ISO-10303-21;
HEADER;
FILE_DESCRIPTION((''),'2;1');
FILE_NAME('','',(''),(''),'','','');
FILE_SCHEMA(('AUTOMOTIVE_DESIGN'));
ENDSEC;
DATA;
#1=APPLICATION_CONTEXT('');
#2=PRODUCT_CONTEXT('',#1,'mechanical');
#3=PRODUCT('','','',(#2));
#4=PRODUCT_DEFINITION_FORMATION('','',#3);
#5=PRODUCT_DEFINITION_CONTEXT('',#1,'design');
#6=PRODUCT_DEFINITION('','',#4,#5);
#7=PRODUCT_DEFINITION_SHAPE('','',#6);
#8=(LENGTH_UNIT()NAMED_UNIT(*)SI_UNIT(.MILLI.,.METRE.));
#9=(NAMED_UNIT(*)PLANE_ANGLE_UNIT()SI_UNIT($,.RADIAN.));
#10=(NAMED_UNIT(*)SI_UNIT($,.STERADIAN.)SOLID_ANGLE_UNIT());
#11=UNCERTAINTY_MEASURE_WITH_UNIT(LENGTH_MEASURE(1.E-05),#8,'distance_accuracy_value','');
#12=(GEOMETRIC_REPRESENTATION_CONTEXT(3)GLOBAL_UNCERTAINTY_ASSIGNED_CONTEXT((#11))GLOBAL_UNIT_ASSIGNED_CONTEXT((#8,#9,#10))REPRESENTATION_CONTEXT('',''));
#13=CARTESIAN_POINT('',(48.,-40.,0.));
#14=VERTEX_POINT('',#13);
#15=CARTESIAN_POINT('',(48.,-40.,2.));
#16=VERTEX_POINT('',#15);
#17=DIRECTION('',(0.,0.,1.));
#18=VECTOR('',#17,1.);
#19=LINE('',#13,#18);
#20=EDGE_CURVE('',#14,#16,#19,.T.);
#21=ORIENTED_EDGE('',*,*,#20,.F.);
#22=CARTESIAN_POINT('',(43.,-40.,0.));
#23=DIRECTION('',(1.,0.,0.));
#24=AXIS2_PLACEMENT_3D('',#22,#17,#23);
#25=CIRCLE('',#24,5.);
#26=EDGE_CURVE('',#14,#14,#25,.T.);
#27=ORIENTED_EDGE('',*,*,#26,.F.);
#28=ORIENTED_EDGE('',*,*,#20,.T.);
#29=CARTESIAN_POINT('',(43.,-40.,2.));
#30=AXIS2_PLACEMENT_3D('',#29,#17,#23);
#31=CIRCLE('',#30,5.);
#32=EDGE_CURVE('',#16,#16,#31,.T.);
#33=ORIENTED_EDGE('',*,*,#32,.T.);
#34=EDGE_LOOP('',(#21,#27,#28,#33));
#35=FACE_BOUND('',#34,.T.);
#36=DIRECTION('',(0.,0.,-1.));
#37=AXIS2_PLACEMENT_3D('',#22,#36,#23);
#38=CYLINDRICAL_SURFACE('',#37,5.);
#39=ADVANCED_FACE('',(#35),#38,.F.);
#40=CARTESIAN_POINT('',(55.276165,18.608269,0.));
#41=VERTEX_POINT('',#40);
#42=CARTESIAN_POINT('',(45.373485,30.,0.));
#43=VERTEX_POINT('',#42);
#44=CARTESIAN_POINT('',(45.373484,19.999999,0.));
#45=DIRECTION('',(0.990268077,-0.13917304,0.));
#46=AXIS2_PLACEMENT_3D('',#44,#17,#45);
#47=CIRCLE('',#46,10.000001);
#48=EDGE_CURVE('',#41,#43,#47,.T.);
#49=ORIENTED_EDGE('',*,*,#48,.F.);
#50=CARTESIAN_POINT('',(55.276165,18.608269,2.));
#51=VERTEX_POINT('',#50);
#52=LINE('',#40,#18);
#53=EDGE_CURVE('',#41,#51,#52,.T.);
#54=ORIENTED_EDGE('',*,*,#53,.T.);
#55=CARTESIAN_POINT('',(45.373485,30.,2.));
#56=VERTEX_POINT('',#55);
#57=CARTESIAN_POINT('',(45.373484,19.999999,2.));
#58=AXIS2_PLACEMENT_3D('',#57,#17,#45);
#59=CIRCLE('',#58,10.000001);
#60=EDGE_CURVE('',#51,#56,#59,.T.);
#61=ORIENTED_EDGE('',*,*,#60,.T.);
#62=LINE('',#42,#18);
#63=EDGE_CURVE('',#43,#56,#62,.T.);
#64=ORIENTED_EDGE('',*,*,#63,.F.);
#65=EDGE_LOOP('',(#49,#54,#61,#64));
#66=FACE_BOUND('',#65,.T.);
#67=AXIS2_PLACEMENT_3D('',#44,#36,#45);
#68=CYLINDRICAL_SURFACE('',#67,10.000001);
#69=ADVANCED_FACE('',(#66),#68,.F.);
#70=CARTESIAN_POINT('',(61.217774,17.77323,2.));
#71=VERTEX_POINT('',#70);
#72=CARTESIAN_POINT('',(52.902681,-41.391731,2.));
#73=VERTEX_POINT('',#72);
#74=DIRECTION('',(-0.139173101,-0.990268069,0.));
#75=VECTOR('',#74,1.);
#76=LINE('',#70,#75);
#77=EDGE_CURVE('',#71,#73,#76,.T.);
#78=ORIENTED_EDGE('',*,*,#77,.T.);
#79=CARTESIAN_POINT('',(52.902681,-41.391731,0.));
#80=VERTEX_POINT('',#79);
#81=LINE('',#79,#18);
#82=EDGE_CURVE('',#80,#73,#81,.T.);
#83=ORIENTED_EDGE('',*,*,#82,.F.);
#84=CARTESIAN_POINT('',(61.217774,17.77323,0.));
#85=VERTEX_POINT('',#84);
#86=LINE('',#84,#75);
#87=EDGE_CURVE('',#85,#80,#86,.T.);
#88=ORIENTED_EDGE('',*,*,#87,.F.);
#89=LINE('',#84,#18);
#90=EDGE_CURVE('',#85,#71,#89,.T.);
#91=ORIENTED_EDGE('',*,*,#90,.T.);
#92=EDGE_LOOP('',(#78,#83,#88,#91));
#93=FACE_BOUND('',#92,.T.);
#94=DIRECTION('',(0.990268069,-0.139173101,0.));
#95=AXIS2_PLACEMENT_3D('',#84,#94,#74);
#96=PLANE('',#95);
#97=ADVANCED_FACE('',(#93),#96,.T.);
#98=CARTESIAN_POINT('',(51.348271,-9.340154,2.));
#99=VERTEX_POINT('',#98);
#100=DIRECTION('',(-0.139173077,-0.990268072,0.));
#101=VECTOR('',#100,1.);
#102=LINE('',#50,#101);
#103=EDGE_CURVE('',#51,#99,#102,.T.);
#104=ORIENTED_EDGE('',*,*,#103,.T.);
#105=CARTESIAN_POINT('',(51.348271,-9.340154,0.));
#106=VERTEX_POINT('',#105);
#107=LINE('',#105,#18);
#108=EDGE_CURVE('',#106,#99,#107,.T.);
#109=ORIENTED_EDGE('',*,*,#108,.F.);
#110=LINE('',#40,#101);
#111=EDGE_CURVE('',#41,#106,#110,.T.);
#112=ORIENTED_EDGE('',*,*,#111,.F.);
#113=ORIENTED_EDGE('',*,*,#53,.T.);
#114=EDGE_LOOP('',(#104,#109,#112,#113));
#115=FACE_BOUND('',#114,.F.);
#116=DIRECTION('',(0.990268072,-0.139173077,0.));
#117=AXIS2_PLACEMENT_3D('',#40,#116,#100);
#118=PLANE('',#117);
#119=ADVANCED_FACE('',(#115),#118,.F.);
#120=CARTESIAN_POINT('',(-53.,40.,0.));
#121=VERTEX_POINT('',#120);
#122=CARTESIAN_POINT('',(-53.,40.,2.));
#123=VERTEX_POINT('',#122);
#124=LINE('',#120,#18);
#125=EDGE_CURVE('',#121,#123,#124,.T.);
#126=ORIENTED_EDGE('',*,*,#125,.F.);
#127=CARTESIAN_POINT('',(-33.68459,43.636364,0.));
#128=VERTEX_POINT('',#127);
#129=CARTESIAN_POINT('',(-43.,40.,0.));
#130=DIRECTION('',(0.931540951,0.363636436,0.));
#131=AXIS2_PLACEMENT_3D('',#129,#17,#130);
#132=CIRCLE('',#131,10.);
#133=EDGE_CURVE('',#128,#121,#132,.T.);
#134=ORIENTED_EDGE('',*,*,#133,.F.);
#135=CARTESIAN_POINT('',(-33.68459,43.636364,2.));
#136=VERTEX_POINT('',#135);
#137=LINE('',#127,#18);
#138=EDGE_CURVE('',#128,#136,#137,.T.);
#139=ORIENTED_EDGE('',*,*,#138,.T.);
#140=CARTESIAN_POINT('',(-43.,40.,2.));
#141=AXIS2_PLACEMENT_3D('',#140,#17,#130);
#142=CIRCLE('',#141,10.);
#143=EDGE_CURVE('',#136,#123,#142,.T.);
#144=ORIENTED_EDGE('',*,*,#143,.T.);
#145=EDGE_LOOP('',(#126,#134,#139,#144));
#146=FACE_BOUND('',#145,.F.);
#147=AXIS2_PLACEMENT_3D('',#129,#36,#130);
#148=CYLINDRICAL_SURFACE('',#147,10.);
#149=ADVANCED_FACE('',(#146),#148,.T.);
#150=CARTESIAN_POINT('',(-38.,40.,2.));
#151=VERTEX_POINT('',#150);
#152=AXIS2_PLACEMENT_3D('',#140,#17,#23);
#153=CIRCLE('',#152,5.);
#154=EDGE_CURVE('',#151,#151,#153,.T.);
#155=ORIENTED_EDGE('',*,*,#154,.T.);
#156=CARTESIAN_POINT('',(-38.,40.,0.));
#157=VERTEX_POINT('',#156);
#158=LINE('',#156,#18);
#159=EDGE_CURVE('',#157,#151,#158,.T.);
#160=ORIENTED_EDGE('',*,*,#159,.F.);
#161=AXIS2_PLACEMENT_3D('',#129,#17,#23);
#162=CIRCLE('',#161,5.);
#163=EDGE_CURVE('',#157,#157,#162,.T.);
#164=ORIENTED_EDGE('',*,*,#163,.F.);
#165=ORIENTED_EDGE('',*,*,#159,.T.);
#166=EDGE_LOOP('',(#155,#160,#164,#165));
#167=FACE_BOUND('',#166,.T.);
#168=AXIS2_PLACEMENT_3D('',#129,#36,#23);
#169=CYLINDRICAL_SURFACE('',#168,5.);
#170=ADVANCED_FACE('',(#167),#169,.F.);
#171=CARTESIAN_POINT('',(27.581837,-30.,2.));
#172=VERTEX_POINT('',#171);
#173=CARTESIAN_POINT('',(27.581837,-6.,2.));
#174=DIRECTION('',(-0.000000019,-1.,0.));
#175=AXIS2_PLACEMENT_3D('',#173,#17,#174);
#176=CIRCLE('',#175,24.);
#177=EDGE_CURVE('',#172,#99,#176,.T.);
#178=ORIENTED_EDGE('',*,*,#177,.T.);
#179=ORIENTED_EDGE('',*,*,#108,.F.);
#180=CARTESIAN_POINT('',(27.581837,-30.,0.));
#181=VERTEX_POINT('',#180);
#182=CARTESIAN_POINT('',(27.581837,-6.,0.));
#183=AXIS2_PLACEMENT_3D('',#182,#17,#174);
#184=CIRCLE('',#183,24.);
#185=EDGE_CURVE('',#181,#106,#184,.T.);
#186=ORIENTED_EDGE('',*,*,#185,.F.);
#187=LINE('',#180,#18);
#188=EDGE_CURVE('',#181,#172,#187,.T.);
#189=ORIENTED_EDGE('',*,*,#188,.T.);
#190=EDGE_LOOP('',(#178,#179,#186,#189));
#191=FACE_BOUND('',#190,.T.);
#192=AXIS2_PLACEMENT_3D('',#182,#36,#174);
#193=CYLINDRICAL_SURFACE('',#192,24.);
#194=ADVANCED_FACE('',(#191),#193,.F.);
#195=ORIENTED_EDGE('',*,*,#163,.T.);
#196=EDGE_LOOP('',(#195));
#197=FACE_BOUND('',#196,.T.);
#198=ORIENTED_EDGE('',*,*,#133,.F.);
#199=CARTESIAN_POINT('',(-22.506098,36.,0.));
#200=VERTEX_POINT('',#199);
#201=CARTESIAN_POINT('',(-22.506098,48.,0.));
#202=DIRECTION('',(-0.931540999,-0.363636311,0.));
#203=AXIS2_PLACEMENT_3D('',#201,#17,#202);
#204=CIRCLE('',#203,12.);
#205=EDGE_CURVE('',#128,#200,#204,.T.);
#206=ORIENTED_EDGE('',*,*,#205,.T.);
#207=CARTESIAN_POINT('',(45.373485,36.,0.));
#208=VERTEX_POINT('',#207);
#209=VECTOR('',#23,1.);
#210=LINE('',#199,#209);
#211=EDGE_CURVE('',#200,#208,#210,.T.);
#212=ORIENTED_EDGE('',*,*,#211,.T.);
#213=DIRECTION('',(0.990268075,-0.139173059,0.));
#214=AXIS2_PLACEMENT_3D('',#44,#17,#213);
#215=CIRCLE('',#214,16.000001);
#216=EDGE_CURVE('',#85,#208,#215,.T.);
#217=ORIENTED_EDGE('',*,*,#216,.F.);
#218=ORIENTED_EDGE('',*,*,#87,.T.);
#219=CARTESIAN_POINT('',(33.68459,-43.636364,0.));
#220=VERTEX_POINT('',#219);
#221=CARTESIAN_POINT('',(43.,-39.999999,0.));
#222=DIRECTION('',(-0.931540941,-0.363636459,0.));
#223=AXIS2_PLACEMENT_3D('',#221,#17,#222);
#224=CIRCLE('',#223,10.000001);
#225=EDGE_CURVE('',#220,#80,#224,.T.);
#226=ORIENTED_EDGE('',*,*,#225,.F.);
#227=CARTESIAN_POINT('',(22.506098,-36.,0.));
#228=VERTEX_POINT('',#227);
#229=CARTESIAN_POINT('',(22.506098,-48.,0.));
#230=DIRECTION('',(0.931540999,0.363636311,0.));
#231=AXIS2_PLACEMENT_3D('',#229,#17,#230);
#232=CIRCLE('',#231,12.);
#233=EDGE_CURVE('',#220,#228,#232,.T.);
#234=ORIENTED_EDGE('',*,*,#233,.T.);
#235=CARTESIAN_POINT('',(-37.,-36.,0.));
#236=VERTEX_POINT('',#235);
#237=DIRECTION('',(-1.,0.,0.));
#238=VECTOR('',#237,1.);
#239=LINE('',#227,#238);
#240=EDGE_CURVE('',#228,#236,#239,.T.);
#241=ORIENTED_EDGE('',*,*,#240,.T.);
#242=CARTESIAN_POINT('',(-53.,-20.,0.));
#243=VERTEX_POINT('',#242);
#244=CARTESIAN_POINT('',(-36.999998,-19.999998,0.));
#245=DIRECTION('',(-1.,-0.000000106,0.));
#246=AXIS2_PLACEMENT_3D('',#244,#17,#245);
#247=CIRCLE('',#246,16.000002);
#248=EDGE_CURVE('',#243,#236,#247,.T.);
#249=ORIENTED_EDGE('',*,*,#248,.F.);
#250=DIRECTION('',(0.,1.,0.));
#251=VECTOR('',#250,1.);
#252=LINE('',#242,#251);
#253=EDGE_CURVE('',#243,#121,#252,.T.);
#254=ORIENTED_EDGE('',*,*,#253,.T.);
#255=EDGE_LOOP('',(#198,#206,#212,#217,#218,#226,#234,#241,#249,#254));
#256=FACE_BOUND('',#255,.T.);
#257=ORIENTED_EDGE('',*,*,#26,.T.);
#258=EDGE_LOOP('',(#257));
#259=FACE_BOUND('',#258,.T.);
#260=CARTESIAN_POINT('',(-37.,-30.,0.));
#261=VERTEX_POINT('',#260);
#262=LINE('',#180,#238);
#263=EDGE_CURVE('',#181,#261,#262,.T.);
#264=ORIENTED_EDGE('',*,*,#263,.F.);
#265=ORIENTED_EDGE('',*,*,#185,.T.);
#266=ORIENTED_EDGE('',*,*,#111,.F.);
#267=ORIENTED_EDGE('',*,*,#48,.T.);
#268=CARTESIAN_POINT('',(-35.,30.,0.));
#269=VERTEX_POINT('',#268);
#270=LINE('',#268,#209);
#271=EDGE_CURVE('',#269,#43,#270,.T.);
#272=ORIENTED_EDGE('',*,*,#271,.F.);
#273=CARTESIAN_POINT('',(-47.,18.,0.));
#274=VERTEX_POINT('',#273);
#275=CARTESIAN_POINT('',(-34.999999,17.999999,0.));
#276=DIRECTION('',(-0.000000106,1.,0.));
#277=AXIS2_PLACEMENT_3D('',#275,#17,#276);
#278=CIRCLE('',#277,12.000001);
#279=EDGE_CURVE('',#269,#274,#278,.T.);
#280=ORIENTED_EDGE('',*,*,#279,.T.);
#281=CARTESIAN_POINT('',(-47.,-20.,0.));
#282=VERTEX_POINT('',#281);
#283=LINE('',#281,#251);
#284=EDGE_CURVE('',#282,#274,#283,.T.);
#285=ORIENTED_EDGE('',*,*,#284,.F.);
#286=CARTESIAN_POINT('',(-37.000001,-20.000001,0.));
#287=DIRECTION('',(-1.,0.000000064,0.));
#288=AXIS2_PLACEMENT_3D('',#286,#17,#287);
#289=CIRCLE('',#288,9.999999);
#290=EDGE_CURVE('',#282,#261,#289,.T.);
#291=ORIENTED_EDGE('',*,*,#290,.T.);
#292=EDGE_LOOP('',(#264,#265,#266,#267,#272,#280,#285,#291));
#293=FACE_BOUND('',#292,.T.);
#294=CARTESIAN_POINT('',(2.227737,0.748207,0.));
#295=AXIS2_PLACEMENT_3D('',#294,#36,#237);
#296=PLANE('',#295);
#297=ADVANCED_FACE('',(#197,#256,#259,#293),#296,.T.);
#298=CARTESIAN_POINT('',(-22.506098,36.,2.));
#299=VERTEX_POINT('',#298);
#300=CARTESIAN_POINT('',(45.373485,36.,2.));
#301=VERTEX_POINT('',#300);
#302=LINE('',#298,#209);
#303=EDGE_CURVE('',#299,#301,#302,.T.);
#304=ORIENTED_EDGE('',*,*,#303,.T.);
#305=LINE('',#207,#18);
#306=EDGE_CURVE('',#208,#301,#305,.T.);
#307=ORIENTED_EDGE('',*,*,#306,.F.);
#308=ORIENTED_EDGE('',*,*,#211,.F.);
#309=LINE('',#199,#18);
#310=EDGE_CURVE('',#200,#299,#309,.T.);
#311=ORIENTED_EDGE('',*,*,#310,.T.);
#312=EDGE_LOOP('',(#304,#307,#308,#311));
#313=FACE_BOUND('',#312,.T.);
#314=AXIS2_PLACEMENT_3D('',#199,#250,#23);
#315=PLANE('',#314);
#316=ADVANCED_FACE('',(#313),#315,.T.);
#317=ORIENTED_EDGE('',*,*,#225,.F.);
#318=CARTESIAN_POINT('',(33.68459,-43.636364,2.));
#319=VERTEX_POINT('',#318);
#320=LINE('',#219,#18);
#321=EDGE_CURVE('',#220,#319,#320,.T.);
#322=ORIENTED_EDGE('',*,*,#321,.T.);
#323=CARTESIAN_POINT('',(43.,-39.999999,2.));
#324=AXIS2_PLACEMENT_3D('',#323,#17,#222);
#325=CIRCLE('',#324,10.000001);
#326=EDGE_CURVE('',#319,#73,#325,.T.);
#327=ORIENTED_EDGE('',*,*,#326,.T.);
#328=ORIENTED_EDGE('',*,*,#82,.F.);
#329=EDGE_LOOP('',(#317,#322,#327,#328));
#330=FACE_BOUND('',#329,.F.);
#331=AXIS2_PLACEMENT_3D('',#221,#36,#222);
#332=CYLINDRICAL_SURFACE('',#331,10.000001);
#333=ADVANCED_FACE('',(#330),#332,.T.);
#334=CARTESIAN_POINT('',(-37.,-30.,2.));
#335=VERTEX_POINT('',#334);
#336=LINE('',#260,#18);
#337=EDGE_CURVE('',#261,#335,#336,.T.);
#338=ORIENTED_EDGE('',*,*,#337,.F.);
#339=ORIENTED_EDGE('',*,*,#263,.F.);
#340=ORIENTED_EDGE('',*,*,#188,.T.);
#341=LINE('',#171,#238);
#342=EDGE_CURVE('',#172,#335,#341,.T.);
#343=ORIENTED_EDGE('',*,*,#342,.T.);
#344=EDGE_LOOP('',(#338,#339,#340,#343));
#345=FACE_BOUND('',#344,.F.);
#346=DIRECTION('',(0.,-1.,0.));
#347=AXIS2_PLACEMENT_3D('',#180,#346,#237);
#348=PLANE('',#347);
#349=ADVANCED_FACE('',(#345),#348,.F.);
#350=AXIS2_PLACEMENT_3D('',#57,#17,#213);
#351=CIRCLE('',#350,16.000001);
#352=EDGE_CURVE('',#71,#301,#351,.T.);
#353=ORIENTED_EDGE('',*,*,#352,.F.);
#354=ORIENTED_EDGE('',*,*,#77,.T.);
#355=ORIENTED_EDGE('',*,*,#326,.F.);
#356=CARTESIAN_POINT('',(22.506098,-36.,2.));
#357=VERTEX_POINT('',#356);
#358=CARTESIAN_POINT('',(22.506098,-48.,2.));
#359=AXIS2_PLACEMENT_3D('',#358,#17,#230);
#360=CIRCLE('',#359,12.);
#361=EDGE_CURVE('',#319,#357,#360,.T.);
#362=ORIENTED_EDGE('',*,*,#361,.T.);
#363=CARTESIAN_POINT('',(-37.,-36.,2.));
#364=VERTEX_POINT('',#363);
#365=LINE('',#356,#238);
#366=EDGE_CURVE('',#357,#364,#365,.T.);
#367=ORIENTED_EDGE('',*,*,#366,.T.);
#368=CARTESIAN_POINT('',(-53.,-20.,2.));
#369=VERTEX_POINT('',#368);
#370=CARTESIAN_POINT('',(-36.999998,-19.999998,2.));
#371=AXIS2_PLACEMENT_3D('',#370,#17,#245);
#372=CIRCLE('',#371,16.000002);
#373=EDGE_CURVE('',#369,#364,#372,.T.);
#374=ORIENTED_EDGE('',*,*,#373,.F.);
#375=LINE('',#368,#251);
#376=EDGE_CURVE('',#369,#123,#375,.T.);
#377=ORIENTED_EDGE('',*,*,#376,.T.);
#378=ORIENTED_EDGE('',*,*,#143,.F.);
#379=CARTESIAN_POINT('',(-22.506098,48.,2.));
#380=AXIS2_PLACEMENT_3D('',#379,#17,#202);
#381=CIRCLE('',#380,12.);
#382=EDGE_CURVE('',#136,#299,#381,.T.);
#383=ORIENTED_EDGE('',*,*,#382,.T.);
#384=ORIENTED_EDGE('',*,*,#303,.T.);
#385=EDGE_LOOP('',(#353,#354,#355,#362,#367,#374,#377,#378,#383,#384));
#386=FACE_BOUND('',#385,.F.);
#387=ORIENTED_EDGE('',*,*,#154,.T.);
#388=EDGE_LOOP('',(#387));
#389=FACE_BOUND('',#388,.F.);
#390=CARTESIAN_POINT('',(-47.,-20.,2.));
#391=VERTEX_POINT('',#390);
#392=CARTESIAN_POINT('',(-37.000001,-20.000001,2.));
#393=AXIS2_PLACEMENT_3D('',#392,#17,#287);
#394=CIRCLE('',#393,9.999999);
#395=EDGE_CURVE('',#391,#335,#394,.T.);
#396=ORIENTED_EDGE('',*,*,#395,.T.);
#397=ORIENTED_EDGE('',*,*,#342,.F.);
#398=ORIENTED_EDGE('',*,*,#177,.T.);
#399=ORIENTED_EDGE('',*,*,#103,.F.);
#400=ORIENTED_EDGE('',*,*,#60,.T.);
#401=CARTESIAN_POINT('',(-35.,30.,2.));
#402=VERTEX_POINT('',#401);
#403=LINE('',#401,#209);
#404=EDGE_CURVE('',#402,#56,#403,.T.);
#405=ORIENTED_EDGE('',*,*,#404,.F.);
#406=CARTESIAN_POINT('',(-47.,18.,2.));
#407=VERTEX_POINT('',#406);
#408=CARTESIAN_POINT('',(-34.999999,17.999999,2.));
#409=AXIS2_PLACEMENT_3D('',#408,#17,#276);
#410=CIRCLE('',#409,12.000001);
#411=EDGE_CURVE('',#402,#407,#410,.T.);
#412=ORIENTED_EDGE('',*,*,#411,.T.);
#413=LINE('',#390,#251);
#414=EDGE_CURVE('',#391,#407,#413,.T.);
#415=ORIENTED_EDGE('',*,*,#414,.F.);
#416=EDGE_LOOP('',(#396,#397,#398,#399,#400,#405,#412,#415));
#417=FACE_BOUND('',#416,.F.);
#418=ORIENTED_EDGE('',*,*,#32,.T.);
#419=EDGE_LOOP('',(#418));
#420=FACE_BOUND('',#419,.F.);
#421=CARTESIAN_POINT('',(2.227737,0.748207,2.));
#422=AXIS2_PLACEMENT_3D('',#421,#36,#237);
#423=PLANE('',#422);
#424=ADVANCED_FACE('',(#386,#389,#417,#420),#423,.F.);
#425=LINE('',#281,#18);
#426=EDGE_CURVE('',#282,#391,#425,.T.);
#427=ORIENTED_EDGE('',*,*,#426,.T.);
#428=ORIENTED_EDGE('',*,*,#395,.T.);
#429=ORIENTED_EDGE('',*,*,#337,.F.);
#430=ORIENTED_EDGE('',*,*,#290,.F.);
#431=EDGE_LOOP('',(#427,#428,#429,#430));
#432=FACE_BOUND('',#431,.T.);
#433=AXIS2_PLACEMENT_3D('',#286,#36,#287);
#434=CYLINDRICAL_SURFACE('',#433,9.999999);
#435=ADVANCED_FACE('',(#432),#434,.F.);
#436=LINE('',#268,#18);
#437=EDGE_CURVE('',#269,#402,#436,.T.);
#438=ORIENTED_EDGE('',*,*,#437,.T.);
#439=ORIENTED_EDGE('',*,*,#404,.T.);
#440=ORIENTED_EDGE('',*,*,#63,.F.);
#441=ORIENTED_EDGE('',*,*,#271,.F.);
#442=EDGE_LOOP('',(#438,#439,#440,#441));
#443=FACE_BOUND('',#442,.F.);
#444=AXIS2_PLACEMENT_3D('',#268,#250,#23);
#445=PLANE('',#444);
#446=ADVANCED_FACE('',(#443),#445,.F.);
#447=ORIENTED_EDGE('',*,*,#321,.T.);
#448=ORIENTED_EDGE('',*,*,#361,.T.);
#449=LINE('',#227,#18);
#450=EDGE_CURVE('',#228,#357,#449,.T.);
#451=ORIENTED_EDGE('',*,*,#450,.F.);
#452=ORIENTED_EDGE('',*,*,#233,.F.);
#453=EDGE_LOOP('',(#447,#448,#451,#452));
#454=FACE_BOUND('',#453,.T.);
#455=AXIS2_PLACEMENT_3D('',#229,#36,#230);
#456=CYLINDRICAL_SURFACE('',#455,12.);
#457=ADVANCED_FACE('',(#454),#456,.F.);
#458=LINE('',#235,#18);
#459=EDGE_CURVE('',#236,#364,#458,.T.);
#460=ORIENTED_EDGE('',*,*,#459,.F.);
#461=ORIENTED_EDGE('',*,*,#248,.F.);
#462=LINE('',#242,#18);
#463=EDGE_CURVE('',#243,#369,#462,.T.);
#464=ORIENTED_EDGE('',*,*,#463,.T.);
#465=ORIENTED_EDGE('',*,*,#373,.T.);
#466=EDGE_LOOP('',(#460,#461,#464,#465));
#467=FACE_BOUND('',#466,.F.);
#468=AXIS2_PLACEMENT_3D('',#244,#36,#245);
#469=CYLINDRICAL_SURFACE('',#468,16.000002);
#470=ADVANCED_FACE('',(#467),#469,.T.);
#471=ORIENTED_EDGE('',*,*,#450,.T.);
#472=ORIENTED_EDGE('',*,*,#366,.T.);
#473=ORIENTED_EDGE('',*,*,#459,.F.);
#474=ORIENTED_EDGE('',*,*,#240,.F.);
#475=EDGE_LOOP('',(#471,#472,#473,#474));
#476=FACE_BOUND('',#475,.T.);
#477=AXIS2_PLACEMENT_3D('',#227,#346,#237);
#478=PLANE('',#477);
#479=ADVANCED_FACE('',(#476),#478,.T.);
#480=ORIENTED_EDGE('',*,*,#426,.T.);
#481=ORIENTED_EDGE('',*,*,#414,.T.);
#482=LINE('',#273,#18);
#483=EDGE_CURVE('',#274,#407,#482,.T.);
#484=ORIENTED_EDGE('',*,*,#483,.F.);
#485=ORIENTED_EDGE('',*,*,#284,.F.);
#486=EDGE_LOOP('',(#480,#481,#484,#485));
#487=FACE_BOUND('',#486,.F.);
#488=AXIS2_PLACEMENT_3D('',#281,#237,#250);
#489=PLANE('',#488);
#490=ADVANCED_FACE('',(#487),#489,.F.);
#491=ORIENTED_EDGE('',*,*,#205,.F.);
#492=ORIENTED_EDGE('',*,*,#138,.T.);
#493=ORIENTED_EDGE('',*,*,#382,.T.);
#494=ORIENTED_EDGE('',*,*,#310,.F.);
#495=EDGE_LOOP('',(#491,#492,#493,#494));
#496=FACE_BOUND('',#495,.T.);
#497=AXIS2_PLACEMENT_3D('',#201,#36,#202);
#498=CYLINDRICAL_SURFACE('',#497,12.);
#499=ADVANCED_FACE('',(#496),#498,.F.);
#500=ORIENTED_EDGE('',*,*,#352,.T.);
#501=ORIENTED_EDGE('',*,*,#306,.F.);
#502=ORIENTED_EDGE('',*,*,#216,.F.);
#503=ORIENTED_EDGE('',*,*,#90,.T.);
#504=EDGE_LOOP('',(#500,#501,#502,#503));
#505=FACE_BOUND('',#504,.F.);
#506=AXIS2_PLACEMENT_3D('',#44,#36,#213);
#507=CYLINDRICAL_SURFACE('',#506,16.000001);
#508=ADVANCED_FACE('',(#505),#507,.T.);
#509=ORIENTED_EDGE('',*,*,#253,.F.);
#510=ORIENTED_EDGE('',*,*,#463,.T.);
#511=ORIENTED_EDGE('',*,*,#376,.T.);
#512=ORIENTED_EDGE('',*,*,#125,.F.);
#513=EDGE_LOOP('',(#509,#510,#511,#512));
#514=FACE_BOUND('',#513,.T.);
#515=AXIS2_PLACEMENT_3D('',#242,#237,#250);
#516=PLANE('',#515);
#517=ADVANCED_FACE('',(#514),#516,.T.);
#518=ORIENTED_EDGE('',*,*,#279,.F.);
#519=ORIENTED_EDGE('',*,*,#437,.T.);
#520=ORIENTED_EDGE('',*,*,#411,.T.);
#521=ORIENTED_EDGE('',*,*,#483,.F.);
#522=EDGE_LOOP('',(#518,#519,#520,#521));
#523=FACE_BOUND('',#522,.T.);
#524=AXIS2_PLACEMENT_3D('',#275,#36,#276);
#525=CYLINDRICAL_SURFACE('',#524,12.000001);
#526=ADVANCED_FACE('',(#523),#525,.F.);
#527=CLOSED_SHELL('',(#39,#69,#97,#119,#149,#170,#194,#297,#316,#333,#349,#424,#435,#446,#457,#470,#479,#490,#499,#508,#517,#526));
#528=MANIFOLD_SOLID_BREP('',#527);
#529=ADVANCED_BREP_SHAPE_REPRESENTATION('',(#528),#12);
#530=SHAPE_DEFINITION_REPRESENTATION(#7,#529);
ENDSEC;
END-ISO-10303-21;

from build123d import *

# Parameters (mm, degrees)
SKETCH_R  = 5
PAD_DEPTH = 2


with BuildPart() as part:
    # Sketch → Pad (new body)
    with BuildSketch(Plane.XY):
        with BuildLine():
            Line((-22.506098, 36), (45.373485, 36))
            ThreePointArc((61.217774, 17.77323), (57.448838, 30.496944), (45.373485, 36))
            Line((61.217774, 17.77323), (52.902681, -41.391731))
            ThreePointArc((33.68459, -43.636364), (44.160093, -49.932481), (52.902681, -41.391731))
            ThreePointArc((33.68459, -43.636364), (29.275011, -38.091326), (22.506098, -36))
            Line((22.506098, -36), (-37, -36))
            ThreePointArc((-53, -20), (-48.313708, -31.313708), (-37, -36))
            Line((-53, -20), (-53, 40))
            ThreePointArc((-33.68459, 43.636364), (-44.850122, 49.827362), (-53, 40))
            ThreePointArc((-33.68459, 43.636364), (-29.275011, 38.091326), (-22.506098, 36))
        make_face()
        with Locations((-43, 40)):
            Circle(SKETCH_R, mode=Mode.SUBTRACT)
        with Locations((43, -40)):
            Circle(SKETCH_R, mode=Mode.SUBTRACT)
        with BuildLine():
            Line((-35, 30), (45.373485, 30))
            ThreePointArc((55.276165, 18.608269), (52.92058, 26.56059), (45.373485, 30))
            Line((55.276165, 18.608269), (51.348271, -9.340154))
            ThreePointArc((27.581837, -30), (43.327254, -24.11303), (51.348271, -9.340154))
            Line((27.581837, -30), (-37, -30))
            ThreePointArc((-47, -20), (-44.071068, -27.071068), (-37, -30))
            Line((-47, -20), (-47, 18))
            ThreePointArc((-35, 30), (-43.485281, 26.485281), (-47, 18))
        make_face(mode=Mode.SUBTRACT)
    extrude(amount=PAD_DEPTH)


solid = part.part
